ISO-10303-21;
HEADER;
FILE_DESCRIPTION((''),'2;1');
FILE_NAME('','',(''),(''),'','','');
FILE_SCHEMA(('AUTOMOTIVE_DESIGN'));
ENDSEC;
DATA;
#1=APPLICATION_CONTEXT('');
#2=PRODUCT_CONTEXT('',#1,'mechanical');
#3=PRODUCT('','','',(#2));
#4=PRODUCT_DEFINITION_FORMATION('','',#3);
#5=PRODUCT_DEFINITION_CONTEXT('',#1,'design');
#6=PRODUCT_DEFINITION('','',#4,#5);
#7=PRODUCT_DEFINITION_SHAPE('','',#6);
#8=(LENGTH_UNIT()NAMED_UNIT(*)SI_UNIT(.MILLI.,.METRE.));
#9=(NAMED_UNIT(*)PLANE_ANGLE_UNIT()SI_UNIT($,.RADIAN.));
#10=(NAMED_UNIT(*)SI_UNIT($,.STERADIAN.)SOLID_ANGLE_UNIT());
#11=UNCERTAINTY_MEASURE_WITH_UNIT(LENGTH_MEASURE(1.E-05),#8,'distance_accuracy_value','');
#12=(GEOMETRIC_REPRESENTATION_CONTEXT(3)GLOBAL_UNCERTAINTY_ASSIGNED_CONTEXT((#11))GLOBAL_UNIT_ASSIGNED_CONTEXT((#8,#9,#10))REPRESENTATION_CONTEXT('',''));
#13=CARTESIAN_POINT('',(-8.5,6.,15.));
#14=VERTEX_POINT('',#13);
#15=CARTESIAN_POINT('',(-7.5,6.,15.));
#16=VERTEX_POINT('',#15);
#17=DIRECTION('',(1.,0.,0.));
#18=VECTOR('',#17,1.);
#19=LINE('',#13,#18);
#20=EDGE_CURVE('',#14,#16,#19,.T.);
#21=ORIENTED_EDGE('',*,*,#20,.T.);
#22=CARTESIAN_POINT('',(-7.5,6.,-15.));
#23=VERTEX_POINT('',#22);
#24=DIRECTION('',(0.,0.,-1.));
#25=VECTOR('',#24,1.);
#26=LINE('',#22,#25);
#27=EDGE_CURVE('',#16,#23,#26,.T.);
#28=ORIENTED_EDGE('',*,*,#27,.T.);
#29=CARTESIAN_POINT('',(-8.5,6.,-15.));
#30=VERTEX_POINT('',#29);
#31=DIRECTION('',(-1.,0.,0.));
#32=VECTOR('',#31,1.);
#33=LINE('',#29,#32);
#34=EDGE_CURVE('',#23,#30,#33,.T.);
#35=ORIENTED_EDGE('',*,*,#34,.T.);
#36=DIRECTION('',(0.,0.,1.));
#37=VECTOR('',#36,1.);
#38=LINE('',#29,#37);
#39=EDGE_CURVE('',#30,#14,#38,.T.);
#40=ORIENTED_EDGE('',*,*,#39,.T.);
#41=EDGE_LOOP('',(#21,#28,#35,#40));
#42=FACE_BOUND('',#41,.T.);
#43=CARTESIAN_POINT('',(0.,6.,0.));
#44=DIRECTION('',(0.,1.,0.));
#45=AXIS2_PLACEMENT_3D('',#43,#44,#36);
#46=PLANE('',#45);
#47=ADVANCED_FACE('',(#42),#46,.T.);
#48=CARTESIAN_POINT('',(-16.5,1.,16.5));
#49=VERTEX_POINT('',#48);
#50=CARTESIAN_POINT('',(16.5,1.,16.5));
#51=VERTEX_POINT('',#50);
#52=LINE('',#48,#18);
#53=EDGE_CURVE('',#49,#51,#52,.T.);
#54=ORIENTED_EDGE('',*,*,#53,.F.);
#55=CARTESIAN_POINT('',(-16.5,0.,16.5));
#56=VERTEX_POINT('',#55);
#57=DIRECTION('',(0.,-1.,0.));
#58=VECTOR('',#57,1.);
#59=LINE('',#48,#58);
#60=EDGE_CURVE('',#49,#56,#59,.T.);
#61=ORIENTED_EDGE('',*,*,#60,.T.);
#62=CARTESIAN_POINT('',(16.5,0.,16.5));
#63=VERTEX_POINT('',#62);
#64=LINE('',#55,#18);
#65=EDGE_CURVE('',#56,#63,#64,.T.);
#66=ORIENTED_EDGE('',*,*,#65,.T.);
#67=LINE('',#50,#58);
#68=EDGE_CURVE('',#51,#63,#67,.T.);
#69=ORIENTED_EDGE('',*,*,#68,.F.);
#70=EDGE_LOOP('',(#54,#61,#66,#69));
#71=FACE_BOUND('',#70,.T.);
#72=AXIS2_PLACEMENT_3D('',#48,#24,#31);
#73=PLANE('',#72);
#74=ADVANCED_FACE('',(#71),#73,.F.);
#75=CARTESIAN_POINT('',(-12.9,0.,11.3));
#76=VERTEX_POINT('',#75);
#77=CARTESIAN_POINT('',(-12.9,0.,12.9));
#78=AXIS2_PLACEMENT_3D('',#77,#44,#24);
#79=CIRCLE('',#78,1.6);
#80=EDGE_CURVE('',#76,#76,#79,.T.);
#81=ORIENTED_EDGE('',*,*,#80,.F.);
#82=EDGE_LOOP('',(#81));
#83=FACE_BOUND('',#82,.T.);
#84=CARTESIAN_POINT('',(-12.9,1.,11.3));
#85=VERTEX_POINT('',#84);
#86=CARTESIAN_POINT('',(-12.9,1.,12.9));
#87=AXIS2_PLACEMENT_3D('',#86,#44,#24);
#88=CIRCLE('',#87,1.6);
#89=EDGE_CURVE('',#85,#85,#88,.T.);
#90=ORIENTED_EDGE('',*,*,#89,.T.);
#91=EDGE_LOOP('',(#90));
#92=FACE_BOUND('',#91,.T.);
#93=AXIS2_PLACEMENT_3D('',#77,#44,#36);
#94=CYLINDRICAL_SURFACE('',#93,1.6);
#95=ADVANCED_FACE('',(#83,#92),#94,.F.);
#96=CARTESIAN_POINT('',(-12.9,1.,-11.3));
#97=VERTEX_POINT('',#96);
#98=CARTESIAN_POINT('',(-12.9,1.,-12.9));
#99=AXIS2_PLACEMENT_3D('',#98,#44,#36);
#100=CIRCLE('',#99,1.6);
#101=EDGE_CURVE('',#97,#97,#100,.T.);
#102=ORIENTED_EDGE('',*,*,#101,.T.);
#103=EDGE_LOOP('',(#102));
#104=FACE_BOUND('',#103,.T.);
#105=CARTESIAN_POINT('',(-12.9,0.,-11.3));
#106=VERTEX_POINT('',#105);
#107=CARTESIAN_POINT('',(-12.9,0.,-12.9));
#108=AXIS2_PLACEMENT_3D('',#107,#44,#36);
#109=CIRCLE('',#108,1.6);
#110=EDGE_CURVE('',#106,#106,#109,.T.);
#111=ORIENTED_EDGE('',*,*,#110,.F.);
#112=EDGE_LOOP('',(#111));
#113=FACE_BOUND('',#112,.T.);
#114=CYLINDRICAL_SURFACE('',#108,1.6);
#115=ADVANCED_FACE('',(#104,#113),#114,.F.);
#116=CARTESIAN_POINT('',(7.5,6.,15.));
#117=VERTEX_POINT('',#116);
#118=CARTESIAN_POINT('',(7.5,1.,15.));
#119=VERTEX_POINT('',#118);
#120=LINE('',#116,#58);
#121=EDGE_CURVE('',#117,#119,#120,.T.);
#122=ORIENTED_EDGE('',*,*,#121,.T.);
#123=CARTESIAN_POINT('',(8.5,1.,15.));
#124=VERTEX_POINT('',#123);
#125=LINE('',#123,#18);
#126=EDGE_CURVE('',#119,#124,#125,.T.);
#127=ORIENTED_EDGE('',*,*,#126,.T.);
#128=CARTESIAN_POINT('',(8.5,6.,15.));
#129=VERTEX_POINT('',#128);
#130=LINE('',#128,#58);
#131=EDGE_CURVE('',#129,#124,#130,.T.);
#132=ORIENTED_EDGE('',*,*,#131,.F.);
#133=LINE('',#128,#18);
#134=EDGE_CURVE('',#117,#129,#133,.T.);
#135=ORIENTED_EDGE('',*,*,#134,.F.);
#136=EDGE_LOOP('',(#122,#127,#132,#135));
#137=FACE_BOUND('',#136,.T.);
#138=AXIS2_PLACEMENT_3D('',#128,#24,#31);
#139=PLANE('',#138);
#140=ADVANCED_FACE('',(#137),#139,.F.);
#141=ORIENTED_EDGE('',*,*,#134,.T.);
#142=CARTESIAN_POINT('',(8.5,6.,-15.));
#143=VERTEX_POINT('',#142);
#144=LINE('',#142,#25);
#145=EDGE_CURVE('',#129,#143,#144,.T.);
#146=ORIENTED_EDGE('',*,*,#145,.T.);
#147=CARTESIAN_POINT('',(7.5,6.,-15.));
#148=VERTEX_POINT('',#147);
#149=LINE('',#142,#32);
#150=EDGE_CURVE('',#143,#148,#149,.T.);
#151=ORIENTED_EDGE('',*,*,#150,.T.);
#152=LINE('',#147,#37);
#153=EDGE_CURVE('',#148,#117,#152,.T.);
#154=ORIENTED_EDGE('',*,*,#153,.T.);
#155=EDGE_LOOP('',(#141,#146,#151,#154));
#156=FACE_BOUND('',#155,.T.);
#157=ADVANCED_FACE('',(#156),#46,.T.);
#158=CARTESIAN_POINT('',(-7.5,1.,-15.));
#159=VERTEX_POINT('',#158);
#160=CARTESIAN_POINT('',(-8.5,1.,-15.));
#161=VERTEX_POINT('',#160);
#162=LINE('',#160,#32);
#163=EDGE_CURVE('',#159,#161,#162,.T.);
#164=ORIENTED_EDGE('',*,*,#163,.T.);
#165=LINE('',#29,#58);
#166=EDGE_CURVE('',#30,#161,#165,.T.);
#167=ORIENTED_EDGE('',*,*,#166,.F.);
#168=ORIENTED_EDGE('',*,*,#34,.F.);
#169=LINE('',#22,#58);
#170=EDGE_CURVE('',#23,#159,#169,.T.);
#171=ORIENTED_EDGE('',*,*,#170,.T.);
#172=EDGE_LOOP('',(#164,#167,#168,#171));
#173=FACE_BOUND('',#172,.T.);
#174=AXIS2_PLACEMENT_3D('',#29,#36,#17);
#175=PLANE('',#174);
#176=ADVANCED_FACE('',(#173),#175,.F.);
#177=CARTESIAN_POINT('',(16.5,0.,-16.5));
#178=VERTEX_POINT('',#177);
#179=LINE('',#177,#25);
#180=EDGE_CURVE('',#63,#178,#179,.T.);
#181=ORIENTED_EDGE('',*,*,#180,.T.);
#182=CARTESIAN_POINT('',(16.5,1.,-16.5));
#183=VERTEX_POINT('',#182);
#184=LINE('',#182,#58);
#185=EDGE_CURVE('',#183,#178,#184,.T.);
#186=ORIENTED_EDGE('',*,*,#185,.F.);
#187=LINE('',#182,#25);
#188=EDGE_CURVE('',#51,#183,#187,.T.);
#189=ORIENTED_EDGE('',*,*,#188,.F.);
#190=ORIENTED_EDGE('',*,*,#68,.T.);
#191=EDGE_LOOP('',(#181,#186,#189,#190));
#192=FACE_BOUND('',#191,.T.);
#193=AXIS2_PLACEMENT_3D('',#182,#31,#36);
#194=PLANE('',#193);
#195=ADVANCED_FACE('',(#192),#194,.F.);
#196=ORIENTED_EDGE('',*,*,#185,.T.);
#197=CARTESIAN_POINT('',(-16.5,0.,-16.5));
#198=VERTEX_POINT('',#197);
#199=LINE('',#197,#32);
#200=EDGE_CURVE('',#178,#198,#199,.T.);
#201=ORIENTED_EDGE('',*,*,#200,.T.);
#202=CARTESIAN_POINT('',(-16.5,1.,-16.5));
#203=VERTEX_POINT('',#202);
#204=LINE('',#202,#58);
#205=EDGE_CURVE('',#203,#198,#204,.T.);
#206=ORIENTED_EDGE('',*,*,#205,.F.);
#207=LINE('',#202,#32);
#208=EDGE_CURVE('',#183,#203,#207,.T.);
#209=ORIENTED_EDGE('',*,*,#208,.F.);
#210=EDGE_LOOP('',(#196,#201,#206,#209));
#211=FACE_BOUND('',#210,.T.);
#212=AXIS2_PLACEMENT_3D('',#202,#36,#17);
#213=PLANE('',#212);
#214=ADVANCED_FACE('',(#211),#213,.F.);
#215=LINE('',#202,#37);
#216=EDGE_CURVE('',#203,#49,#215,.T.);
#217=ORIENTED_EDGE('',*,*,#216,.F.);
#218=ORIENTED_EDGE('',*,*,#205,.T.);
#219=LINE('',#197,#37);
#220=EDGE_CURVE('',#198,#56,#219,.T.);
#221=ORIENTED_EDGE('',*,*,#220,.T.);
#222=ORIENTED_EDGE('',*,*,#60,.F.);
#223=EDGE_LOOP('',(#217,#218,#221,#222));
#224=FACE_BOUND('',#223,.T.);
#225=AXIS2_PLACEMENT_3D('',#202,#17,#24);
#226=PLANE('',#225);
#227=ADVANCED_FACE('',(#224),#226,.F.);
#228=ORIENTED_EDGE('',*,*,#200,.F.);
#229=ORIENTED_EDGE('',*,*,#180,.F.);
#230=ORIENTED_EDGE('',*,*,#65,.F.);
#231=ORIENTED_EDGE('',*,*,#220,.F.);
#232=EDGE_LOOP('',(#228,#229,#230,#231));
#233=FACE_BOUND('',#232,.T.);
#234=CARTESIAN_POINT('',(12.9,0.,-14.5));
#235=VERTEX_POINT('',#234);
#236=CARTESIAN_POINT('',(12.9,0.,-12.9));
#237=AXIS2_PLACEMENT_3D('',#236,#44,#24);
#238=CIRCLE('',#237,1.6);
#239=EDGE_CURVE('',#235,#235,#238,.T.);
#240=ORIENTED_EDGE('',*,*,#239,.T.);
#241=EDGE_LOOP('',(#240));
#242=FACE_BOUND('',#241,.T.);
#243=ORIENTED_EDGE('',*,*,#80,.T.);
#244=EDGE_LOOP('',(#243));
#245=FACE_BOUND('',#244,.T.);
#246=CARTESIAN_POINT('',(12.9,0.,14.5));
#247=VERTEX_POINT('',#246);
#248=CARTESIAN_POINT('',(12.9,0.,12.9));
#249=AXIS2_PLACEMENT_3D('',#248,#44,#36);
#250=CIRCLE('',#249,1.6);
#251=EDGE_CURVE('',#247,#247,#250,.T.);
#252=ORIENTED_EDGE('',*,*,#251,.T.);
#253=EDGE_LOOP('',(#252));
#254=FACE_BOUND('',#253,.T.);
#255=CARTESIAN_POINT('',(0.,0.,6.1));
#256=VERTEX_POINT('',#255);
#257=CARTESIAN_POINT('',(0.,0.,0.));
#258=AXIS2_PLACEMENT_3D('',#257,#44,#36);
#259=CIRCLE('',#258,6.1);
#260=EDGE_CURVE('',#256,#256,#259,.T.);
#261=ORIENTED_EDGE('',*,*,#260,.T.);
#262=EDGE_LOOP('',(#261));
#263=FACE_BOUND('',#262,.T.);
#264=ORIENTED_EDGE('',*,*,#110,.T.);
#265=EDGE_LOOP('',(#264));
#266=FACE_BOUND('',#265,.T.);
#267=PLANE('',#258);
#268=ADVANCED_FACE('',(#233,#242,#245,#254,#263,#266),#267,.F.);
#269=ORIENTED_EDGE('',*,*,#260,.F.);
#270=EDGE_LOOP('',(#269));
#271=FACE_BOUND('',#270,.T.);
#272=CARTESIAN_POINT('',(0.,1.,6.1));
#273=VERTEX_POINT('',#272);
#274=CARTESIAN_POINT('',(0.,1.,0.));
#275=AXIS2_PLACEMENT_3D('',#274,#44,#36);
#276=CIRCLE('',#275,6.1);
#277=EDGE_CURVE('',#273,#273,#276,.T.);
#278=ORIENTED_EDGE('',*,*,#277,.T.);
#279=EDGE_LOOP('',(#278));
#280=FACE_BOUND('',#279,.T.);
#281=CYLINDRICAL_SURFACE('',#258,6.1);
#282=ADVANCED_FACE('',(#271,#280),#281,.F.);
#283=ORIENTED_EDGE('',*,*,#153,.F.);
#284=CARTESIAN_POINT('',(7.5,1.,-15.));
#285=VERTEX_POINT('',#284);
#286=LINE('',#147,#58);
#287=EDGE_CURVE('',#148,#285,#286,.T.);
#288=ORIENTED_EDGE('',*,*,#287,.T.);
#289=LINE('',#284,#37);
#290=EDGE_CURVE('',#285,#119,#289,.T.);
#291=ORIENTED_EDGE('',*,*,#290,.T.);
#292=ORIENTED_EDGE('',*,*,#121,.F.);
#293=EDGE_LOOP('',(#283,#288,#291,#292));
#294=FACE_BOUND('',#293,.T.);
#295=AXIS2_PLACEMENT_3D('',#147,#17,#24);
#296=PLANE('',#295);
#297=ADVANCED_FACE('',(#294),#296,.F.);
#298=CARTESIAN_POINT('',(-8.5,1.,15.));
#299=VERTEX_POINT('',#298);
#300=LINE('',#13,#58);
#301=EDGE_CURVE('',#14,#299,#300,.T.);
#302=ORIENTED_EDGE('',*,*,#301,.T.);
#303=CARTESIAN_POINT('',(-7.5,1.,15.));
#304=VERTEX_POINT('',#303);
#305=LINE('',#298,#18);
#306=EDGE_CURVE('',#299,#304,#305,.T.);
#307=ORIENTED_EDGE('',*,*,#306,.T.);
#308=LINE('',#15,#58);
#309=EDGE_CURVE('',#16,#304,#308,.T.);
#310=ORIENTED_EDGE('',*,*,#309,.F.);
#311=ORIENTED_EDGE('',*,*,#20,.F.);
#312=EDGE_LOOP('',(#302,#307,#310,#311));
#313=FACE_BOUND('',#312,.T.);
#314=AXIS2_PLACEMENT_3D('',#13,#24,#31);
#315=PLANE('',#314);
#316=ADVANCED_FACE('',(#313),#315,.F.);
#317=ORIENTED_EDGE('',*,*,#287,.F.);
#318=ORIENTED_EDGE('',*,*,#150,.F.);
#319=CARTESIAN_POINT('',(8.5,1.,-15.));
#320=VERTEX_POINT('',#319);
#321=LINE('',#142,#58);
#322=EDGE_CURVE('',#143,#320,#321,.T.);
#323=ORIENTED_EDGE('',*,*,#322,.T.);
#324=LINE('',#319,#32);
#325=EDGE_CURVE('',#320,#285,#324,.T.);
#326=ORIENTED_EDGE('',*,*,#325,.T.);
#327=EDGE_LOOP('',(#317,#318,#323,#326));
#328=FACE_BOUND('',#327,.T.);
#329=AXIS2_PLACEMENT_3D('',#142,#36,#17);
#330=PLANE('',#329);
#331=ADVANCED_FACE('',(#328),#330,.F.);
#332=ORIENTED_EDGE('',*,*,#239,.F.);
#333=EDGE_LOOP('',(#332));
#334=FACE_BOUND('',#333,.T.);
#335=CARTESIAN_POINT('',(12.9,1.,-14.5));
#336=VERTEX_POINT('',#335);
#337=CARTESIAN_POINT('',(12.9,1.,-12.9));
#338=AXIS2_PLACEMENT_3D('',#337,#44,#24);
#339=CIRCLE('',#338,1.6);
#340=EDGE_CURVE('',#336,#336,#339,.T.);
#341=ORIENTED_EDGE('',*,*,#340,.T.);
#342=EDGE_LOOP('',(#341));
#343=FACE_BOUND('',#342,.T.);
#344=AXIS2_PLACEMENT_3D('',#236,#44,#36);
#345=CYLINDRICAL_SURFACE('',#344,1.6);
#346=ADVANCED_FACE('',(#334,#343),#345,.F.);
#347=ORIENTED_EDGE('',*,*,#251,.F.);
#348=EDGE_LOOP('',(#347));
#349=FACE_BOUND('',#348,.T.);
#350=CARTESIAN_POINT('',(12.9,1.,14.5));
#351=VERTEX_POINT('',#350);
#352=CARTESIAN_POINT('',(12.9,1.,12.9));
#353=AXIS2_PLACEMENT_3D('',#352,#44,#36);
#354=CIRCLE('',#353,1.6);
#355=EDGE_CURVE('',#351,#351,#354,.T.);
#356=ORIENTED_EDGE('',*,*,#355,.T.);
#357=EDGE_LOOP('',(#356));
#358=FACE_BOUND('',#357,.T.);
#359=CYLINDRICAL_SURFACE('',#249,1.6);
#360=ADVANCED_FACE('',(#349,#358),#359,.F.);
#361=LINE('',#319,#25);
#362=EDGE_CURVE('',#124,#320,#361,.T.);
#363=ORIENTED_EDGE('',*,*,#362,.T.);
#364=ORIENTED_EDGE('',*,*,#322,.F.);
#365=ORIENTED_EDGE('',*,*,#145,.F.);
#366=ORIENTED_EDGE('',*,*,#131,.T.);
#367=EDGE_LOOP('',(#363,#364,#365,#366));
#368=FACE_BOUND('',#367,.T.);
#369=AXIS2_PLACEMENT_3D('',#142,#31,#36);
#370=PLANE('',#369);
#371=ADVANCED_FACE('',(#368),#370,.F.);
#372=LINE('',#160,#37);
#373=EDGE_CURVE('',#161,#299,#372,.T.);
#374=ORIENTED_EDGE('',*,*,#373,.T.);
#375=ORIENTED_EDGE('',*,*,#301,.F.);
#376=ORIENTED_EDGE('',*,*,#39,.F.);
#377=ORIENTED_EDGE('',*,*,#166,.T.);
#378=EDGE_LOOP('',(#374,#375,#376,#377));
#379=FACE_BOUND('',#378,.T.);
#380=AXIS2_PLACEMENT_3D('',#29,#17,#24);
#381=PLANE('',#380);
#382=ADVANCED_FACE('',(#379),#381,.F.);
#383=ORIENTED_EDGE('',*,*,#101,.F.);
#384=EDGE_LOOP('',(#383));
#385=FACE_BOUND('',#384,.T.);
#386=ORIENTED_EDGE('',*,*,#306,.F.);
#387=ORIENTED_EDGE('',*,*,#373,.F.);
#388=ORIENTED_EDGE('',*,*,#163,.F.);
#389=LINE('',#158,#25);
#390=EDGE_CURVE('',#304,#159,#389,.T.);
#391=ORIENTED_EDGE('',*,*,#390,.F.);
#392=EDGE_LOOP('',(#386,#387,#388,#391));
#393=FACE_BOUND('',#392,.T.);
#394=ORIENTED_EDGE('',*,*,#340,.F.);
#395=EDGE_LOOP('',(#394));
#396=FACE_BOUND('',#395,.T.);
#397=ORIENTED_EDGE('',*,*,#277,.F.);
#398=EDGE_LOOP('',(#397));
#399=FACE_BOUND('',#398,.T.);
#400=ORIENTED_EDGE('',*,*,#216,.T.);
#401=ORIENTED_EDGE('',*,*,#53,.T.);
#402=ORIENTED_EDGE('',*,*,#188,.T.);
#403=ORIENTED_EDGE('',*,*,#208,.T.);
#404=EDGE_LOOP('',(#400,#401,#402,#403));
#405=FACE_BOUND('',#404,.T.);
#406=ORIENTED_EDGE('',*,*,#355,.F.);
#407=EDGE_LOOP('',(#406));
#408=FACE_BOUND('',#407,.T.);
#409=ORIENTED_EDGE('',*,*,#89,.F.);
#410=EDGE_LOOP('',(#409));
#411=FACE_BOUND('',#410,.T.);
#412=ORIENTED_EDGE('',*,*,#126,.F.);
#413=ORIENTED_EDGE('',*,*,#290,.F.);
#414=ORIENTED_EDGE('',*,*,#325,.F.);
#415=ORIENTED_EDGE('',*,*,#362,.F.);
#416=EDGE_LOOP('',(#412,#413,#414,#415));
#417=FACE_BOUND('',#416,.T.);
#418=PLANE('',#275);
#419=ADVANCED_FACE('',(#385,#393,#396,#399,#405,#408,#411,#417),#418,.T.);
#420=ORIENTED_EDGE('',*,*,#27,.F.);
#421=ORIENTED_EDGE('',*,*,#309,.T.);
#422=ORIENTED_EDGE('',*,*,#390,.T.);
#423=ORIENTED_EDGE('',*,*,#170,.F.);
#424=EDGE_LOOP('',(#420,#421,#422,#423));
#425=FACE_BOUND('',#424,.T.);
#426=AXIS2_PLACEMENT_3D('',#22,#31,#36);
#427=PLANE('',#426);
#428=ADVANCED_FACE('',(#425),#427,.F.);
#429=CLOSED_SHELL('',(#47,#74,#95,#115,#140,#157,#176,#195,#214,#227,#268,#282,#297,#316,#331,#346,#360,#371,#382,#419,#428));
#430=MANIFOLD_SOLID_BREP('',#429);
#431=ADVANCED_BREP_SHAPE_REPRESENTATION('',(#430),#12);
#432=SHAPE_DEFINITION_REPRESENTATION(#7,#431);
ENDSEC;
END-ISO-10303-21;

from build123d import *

# Parameters (mm, degrees)
SKETCH_1_W          = 33
SKETCH_1_H          = 33
EXTRUDE_1_DEPTH     = 1
SKETCH_2_R          = 6.1
SKETCH_2_R_2        = 1.6
CUT_EXTRUDE_1_DEPTH = 24.355941428
SKETCH_3_W          = 1
SKETCH_3_H          = 30
EXTRUDE_2_DEPTH     = 5


with BuildPart() as part:
    # 草图1 → 凸台-拉伸1 (new body)
    with BuildSketch(Plane(origin=(0, 0, 0), x_dir=(1, 0, 0), z_dir=(0, 1, 0))):
        Rectangle(SKETCH_1_W, SKETCH_1_H)
    extrude(amount=EXTRUDE_1_DEPTH)

    # 草图2 → 切除-拉伸1 (cut, through all)
    with BuildSketch(Plane(origin=(0, 1, 0), x_dir=(1, 0, 0), z_dir=(0, 1, 0))):
        with Locations(Location((0, 0, 0), (0, 0, 270))):
            Circle(SKETCH_2_R)
        with Locations(Location((-12.9, 12.9, 0), (0, 0, 270))):
            Circle(SKETCH_2_R_2)
        with Locations(Location((12.9, 12.9, 0), (0, 0, 90))):
            Circle(SKETCH_2_R_2)
        with Locations(Location((12.9, -12.9, 0), (0, 0, 270))):
            Circle(SKETCH_2_R_2)
        with Locations(Location((-12.9, -12.9, 0), (0, 0, 90))):
            Circle(SKETCH_2_R_2)
    extrude(amount=-CUT_EXTRUDE_1_DEPTH, mode=Mode.SUBTRACT)

    # 草图3 → 凸台-拉伸2 (add)
    with BuildSketch(Plane(origin=(0, 1, 0), x_dir=(1, 0, 0), z_dir=(0, 1, 0))):
        with Locations((-8, 0)):
            Rectangle(SKETCH_3_W, SKETCH_3_H)
        with Locations((8, 0)):
            Rectangle(SKETCH_3_W, SKETCH_3_H)
    extrude(amount=EXTRUDE_2_DEPTH)


solid = part.part
